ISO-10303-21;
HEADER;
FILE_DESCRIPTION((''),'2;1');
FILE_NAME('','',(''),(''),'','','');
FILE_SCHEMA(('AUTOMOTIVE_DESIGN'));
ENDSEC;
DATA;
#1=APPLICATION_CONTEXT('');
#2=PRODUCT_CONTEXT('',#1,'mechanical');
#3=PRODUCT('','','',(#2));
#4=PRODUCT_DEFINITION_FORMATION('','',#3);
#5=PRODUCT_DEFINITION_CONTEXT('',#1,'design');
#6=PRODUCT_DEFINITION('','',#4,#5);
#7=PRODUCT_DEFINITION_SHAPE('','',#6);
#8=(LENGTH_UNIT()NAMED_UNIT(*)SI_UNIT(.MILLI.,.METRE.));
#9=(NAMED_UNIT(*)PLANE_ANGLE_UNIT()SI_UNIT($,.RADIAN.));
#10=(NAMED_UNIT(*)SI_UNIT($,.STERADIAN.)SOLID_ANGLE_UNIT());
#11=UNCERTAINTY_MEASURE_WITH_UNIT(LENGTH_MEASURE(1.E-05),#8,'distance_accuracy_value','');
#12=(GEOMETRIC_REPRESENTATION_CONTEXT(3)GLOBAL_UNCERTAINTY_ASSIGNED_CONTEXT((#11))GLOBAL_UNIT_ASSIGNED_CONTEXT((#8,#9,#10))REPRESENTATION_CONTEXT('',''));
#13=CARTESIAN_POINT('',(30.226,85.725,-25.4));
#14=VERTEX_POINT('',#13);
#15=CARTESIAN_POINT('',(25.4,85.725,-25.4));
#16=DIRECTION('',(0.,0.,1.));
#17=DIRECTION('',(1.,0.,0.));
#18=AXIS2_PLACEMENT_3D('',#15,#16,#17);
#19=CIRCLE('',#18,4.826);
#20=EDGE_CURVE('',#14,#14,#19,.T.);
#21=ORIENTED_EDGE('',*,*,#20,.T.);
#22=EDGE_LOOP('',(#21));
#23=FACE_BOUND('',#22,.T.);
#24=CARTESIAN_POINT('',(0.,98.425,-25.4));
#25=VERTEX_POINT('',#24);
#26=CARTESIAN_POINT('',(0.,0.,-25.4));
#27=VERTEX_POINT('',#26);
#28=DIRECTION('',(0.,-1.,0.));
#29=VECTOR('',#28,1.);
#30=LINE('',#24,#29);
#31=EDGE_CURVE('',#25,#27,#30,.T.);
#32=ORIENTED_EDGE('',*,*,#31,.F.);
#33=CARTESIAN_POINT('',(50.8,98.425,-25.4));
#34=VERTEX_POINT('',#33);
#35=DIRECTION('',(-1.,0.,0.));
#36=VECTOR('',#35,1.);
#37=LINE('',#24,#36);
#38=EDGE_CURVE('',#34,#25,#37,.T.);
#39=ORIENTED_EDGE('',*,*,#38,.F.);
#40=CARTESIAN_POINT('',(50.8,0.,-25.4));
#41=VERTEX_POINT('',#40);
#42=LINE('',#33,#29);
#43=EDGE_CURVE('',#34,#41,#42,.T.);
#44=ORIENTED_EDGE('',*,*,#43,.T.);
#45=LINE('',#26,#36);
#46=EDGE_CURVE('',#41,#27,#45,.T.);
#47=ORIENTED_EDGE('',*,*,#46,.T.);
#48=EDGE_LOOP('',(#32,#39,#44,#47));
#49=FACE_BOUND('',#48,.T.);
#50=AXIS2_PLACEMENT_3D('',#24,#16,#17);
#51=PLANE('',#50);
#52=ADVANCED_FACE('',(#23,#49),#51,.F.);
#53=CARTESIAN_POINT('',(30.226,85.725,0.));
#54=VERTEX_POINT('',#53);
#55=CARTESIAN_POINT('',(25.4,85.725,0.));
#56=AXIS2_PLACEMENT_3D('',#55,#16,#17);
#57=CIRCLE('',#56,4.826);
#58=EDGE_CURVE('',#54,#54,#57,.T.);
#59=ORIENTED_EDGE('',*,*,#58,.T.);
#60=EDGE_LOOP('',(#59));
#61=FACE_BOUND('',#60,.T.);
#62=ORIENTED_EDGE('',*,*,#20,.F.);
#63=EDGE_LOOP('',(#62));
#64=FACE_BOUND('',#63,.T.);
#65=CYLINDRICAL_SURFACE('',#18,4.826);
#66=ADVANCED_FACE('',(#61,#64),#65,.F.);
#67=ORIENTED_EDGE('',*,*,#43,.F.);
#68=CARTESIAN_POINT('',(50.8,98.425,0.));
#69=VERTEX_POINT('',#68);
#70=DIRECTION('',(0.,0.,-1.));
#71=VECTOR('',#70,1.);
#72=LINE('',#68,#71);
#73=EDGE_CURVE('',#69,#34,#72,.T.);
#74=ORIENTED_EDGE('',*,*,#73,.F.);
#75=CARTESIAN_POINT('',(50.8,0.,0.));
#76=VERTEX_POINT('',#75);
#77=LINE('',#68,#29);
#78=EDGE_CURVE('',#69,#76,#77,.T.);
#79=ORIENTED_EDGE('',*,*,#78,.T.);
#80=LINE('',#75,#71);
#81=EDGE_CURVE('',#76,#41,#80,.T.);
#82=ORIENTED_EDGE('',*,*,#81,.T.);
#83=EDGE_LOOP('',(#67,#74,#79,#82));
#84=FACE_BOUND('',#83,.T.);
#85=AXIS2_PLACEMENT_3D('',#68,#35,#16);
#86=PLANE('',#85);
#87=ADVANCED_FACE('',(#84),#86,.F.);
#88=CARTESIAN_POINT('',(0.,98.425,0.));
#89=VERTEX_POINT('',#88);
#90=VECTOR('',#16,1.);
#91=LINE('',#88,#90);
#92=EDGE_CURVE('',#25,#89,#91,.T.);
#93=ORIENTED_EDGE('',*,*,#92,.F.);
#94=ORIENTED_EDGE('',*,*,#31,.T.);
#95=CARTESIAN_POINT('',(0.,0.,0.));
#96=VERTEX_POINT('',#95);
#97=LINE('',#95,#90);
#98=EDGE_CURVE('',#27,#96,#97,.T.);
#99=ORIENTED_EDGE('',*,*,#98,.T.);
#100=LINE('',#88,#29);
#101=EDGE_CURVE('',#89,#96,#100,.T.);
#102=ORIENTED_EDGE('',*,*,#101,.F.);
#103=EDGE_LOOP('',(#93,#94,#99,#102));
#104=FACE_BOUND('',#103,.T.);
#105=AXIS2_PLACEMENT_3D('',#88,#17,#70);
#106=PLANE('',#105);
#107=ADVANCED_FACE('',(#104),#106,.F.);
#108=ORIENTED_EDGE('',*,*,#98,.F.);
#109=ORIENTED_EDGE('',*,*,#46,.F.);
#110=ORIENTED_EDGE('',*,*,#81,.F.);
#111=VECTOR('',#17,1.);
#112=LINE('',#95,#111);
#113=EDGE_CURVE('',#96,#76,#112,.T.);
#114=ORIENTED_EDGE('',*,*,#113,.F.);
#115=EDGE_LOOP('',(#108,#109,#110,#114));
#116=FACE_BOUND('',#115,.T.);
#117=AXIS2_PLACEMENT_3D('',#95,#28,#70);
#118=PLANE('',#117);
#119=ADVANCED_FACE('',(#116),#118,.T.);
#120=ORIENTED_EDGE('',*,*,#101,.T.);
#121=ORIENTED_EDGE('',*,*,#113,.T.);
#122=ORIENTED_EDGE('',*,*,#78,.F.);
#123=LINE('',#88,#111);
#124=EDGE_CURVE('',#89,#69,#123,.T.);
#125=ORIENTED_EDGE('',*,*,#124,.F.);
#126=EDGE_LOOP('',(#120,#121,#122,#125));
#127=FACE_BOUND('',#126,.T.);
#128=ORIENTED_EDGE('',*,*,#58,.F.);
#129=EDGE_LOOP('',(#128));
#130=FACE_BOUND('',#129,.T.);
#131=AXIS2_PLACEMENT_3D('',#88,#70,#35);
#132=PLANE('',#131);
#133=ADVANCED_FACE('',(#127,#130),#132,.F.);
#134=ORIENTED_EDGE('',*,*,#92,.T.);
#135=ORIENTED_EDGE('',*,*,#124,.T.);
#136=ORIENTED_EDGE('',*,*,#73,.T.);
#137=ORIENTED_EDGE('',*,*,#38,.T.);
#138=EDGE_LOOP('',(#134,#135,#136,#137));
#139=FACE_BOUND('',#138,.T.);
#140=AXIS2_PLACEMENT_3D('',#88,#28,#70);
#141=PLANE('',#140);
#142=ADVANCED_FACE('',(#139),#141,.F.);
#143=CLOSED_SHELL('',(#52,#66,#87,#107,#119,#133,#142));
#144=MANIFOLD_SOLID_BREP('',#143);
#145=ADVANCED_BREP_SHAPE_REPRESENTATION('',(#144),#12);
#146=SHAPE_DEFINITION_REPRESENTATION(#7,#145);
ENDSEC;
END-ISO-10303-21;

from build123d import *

# Parameters (mm, degrees)
SKETCH2_W           = 50.8
SKETCH2_H           = 25.4
BOSS_EXTRUDE1_DEPTH = 98.425
SKETCH3_R           = 4.826
CUT_EXTRUDE1_DEPTH  = 114.636616568


with BuildPart() as part:
    # Sketch2 → Boss-Extrude1 (new body)
    with BuildSketch(Plane(origin=(0, 0, 0), x_dir=(1, 0, 0), z_dir=(0, 1, 0))):
        with Locations((25.4, 12.7)):
            Rectangle(SKETCH2_W, SKETCH2_H)
    extrude(amount=BOSS_EXTRUDE1_DEPTH)

    # Sketch3 → Cut-Extrude1 (cut, through all)
    with BuildSketch(Plane.XY):
        with Locations((25.4, 85.725)):
            Circle(SKETCH3_R)
    extrude(amount=-CUT_EXTRUDE1_DEPTH, mode=Mode.SUBTRACT)


solid = part.part
